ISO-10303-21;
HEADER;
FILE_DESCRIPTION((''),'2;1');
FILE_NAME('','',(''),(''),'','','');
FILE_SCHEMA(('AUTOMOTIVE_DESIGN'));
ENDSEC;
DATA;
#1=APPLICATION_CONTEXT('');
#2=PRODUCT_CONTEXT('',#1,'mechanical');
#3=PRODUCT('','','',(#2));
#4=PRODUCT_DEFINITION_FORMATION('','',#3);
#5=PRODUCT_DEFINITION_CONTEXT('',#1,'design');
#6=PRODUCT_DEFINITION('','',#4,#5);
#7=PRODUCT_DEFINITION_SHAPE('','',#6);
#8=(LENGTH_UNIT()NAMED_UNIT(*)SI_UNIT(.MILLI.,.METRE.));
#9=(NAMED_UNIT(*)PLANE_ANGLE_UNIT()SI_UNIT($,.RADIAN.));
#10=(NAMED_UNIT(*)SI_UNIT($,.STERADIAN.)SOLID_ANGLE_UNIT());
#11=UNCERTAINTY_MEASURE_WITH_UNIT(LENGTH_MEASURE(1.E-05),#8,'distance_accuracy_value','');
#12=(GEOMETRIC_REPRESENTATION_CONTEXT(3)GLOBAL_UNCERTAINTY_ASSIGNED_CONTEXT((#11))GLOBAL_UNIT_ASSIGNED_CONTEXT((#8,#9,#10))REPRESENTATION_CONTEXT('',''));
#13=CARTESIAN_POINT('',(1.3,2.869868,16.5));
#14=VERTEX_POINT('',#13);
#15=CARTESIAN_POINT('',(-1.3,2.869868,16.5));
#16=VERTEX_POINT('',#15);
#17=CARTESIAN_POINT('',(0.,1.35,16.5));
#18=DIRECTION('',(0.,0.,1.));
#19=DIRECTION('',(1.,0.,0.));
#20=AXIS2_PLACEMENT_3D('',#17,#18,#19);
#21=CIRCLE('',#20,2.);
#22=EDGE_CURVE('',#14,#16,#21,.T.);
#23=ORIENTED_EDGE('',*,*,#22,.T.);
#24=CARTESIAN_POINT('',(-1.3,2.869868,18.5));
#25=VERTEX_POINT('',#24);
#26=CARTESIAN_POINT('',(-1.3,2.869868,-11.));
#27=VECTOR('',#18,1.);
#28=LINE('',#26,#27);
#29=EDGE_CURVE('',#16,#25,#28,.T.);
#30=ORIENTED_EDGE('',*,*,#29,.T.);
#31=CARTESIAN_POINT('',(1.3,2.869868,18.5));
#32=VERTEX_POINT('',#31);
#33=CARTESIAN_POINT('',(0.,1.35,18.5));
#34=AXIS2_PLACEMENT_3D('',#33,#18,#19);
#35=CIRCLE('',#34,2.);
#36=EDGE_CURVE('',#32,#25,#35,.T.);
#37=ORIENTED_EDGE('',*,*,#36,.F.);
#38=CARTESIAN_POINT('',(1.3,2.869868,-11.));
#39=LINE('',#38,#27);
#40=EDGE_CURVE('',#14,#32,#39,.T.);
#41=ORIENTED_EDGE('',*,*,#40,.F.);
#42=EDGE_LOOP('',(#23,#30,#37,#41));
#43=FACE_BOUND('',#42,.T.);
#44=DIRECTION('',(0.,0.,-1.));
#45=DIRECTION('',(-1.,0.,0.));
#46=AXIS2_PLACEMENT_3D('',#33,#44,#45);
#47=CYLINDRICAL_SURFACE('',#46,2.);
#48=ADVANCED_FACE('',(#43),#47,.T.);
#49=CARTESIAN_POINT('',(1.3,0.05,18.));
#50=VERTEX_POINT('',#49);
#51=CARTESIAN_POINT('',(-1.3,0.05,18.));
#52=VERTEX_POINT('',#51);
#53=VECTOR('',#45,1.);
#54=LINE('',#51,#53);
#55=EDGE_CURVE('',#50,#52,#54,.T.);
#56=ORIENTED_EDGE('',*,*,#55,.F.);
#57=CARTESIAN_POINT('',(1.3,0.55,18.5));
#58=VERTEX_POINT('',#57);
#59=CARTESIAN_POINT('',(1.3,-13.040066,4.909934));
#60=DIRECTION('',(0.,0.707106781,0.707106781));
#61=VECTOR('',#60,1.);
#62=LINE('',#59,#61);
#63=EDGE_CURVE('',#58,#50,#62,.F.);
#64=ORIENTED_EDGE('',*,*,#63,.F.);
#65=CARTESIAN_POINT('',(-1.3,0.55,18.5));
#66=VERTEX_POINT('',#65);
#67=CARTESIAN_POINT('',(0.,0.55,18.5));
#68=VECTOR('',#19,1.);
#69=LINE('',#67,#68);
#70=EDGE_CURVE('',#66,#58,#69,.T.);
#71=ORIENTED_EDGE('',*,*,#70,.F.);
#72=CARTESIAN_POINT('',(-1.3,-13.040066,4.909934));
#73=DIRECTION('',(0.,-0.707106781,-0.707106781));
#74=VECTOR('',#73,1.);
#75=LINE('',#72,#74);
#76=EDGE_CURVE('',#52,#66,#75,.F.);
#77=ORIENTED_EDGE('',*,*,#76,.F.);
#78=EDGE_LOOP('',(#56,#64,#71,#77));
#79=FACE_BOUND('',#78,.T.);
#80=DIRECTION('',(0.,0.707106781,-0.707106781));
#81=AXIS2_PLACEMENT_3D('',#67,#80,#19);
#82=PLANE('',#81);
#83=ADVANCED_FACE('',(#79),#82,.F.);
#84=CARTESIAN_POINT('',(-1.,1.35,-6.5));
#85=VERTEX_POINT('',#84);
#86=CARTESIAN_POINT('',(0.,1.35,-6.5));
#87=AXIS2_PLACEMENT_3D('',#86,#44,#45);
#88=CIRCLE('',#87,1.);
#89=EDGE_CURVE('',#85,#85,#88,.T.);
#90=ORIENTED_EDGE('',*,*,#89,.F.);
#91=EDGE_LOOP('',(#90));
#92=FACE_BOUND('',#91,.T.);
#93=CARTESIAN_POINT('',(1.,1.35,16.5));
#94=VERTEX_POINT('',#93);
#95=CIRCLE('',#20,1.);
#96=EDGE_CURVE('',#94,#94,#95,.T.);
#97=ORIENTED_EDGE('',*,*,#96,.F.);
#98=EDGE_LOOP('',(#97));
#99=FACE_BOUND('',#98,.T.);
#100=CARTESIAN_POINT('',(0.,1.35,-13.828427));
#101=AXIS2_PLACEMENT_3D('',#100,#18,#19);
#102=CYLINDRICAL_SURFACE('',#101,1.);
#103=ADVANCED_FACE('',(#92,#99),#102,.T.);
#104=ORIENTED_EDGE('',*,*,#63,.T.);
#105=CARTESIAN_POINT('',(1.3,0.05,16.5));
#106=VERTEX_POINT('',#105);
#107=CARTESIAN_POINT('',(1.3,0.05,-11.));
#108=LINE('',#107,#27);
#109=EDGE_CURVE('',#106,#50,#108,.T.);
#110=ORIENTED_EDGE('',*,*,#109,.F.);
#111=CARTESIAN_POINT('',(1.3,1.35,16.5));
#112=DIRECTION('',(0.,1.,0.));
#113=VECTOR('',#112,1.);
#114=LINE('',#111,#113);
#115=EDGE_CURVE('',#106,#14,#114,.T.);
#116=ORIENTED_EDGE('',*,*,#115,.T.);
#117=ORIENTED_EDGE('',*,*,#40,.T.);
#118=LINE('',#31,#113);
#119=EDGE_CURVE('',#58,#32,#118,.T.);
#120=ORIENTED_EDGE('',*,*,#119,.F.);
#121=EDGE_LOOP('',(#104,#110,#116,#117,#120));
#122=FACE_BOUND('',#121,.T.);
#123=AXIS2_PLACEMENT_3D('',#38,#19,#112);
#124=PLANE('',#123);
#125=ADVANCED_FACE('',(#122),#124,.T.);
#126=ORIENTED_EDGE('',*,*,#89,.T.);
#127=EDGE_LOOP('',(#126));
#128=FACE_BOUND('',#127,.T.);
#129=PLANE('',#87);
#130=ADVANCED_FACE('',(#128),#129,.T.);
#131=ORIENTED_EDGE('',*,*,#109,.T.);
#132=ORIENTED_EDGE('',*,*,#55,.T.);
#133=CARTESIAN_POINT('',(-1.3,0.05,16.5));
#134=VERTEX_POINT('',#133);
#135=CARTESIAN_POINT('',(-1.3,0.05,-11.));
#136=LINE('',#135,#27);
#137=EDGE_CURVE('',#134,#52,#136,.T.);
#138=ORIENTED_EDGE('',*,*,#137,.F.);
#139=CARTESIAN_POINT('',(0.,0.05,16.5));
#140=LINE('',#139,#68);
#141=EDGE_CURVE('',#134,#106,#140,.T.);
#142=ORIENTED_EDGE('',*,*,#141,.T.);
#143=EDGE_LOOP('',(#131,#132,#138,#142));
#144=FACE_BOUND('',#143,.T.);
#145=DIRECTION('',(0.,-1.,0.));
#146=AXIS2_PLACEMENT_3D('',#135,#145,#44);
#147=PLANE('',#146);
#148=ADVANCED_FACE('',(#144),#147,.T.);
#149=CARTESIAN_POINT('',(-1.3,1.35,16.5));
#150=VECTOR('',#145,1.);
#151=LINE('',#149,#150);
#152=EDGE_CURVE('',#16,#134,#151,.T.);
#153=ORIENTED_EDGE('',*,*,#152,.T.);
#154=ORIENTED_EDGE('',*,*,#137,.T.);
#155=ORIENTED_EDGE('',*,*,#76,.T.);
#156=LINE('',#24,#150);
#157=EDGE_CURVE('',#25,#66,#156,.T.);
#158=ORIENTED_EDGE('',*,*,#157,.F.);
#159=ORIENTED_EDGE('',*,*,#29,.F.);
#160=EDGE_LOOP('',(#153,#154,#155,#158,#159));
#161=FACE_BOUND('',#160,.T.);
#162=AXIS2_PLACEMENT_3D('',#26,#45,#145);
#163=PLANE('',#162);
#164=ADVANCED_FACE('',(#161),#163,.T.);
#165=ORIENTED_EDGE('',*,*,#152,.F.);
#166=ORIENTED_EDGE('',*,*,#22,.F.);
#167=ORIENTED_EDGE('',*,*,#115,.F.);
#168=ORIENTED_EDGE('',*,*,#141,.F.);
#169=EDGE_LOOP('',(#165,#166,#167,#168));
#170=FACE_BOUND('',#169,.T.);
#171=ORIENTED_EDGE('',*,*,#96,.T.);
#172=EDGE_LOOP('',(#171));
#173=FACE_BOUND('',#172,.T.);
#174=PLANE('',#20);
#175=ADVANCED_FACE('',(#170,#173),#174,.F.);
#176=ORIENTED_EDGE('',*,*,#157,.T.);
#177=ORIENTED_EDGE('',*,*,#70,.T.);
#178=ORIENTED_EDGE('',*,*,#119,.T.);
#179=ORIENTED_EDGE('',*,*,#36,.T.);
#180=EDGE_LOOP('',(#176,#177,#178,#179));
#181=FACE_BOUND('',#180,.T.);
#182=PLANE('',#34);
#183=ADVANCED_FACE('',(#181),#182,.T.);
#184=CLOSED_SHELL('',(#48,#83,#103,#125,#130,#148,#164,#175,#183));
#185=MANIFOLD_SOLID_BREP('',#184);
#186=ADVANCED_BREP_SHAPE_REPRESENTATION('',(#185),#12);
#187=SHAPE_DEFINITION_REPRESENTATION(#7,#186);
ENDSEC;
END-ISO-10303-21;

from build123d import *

# Parameters (mm, degrees)
ESQUISSE2_R             = 1
BOSS_EXTRU_1_DEPTH      = 16.5
BOSS_EXTRU_1_DEPTH_BACK = 11
ESQUISSE3_R             = 2
BOSS_EXTRU_2_DEPTH      = 2
ESQUISSE4_OUTSIDE_W     = 12.008
ESQUISSE4_OUTSIDE_H     = 12.008
ENL_V_MAT_EXTRU_1_DEPTH = 30.5
CHANFREIN1_SIZE         = 0.5
ESQUISSE6_R             = 1
ENL_V_MAT_EXTRU_2_DEPTH = 4.5


with BuildPart() as part:
    # Esquisse2 → Boss.-Extru.1 (new body, two sides)
    with BuildSketch(Plane.XY) as boss_extru_1_sk:
        with Locations((0, 1.35)):
            Circle(ESQUISSE2_R)
    extrude(amount=BOSS_EXTRU_1_DEPTH)
    extrude(boss_extru_1_sk.sketch, amount=-BOSS_EXTRU_1_DEPTH_BACK)

    # Esquisse3 → Boss.-Extru.2 (add)
    with BuildSketch(Plane.XY.offset(16.5)):
        with Locations((0, 1.35)):
            Circle(ESQUISSE3_R)
    extrude(amount=BOSS_EXTRU_2_DEPTH)

    # Esquisse4 outside → Enlèv. mat.-Extru.1 (cut, through all)
    with BuildSketch(Plane.XY.offset(18.5)):
        with Locations((0, 1.35)):
            Rectangle(ESQUISSE4_OUTSIDE_W, ESQUISSE4_OUTSIDE_H)
        with BuildLine():
            Line((-1.3, 2.869868415), (-1.3, 0.05))
            Line((-1.3, 0.05), (1.3, 0.05))
            Line((1.3, 0.05), (1.3, 2.869868415))
            ThreePointArc((1.3, 2.869868415), (0, 3.35), (-1.3, 2.869868415))
        make_face(mode=Mode.SUBTRACT)
    extrude(amount=-ENL_V_MAT_EXTRU_1_DEPTH, mode=Mode.SUBTRACT)

    # Chanfrein1
    chanfrein1_edges = [part.edges().sort_by_distance(p)[0] for p in [
        (0, 0.05, 18.5),
    ]]
    chamfer(chanfrein1_edges, length=CHANFREIN1_SIZE)

    # Esquisse6 → Enlèv. mat.-Extru.2 (cut)
    with BuildSketch(Plane(origin=(0, 0, -11), x_dir=(-1, 0, 0), z_dir=(0, 0, -1))):
        with Locations((0, 1.35)):
            Circle(ESQUISSE6_R)
    extrude(amount=-ENL_V_MAT_EXTRU_2_DEPTH, mode=Mode.SUBTRACT)


solid = part.part
